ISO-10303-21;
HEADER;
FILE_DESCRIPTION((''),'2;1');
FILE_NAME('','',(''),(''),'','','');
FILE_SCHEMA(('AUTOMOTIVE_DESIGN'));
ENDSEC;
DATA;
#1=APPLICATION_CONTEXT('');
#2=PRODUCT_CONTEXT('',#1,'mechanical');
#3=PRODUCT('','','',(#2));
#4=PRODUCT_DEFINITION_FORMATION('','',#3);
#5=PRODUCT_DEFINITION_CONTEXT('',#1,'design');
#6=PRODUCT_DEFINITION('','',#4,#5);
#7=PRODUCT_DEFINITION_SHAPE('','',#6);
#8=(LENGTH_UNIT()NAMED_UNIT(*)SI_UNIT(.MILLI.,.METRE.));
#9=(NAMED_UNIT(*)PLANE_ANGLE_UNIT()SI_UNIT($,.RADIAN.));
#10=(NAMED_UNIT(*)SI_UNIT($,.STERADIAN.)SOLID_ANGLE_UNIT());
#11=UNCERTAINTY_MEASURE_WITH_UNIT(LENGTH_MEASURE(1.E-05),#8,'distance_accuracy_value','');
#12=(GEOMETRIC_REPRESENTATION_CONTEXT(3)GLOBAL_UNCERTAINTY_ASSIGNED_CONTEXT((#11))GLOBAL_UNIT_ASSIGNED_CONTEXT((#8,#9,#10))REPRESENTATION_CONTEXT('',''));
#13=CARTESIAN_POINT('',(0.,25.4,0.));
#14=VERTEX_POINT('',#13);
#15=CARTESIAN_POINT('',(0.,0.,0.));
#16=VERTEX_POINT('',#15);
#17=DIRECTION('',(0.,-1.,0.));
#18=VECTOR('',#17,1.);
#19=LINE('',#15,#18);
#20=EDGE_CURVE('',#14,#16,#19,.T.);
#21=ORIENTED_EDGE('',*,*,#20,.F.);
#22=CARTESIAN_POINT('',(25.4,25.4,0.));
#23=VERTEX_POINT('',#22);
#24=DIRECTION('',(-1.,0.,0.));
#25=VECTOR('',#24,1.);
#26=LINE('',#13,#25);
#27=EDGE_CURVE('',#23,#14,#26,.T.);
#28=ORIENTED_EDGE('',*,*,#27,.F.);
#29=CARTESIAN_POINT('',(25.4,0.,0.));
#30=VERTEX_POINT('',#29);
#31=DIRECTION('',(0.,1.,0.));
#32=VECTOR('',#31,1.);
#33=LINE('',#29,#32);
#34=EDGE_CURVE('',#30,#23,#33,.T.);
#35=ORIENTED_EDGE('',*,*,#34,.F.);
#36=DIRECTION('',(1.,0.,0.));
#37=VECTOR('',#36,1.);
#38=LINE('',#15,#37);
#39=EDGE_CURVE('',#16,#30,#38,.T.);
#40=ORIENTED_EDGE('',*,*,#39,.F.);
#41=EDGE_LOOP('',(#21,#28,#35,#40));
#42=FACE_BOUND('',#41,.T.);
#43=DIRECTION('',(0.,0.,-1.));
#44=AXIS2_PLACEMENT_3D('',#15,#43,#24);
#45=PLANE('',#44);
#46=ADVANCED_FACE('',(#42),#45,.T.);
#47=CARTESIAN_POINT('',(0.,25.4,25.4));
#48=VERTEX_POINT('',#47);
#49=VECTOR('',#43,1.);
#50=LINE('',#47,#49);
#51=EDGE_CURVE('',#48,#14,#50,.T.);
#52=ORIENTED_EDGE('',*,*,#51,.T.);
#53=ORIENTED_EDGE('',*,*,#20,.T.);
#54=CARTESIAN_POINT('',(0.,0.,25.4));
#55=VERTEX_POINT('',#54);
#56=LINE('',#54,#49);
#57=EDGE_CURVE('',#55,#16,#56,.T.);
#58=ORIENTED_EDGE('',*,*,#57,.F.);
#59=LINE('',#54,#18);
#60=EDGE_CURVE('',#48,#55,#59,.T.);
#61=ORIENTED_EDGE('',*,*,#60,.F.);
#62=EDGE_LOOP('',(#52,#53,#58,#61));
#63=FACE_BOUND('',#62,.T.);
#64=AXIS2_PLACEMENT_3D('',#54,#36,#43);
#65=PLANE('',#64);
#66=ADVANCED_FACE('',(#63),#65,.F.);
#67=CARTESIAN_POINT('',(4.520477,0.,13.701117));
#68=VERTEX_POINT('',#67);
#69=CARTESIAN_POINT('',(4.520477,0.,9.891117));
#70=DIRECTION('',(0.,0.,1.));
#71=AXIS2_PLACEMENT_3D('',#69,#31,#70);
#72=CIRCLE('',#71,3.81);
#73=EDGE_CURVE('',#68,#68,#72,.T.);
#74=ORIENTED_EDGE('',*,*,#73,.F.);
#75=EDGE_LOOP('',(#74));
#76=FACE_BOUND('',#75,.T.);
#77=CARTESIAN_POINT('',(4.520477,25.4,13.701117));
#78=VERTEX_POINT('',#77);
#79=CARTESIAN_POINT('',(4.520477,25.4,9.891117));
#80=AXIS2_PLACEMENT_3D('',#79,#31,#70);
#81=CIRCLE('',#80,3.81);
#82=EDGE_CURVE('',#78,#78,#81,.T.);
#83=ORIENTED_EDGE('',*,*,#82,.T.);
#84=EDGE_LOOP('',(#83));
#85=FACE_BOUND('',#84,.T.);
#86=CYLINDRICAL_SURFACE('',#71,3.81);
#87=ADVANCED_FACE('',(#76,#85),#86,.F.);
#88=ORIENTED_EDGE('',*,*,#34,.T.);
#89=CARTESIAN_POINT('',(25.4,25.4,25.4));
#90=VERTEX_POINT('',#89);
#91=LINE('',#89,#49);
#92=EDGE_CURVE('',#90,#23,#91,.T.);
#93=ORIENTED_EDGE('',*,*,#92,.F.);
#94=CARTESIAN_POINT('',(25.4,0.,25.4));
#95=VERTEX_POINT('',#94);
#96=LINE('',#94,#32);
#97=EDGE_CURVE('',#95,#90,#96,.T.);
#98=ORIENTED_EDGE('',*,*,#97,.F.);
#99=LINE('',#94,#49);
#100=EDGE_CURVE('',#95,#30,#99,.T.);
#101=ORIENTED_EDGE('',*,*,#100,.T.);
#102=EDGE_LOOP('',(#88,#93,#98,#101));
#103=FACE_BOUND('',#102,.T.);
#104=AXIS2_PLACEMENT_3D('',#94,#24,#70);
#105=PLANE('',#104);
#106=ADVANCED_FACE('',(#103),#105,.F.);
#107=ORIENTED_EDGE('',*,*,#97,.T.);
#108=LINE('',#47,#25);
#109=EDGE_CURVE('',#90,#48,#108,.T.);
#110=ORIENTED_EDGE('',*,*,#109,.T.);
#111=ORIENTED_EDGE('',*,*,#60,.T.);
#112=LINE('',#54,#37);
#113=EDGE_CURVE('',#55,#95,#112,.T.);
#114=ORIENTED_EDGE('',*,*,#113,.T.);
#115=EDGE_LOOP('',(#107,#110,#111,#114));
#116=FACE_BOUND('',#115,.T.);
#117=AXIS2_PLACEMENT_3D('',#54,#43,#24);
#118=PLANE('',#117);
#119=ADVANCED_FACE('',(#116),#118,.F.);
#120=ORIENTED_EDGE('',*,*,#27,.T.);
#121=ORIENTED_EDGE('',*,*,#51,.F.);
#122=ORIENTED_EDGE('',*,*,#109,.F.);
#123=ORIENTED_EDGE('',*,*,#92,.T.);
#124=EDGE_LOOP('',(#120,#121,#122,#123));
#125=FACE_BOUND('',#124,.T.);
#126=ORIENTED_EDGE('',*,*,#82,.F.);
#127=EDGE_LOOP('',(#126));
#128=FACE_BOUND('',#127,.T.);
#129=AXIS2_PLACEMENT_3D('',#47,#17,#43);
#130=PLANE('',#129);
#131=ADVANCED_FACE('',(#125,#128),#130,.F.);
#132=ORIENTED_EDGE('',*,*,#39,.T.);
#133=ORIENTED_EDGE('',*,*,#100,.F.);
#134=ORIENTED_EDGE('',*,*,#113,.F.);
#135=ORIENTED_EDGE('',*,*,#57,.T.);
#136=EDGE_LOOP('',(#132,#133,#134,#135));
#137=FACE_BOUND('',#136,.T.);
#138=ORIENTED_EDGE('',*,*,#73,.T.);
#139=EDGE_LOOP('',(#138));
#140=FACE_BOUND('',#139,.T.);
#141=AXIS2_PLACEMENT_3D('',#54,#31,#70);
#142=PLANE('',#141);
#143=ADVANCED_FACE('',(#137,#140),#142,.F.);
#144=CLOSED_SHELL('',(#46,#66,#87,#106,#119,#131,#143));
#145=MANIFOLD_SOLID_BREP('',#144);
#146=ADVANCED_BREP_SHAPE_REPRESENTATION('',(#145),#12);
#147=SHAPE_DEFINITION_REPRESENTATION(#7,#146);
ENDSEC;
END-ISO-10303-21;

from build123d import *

# Parameters (mm, degrees)
SKETCH1_W           = 25.4
SKETCH1_H           = 25.4
BOSS_EXTRUDE1_DEPTH = 25.4
SKETCH3_R           = 3.81
CUT_EXTRUDE1_DEPTH  = 26.4


with BuildPart() as part:
    # Sketch1 → Boss-Extrude1 (new body)
    with BuildSketch(Plane.XY):
        with Locations((12.7, 12.7)):
            Rectangle(SKETCH1_W, SKETCH1_H)
    extrude(amount=BOSS_EXTRUDE1_DEPTH)

    # Sketch3 → Cut-Extrude1 (cut, through all)
    with BuildSketch(Plane(origin=(0, 25.4, 0), x_dir=(1, 0, 0), z_dir=(0, 1, 0))):
        with Locations((4.520477268, -9.891117385)):
            Circle(SKETCH3_R)
    extrude(amount=-CUT_EXTRUDE1_DEPTH, mode=Mode.SUBTRACT)


solid = part.part
